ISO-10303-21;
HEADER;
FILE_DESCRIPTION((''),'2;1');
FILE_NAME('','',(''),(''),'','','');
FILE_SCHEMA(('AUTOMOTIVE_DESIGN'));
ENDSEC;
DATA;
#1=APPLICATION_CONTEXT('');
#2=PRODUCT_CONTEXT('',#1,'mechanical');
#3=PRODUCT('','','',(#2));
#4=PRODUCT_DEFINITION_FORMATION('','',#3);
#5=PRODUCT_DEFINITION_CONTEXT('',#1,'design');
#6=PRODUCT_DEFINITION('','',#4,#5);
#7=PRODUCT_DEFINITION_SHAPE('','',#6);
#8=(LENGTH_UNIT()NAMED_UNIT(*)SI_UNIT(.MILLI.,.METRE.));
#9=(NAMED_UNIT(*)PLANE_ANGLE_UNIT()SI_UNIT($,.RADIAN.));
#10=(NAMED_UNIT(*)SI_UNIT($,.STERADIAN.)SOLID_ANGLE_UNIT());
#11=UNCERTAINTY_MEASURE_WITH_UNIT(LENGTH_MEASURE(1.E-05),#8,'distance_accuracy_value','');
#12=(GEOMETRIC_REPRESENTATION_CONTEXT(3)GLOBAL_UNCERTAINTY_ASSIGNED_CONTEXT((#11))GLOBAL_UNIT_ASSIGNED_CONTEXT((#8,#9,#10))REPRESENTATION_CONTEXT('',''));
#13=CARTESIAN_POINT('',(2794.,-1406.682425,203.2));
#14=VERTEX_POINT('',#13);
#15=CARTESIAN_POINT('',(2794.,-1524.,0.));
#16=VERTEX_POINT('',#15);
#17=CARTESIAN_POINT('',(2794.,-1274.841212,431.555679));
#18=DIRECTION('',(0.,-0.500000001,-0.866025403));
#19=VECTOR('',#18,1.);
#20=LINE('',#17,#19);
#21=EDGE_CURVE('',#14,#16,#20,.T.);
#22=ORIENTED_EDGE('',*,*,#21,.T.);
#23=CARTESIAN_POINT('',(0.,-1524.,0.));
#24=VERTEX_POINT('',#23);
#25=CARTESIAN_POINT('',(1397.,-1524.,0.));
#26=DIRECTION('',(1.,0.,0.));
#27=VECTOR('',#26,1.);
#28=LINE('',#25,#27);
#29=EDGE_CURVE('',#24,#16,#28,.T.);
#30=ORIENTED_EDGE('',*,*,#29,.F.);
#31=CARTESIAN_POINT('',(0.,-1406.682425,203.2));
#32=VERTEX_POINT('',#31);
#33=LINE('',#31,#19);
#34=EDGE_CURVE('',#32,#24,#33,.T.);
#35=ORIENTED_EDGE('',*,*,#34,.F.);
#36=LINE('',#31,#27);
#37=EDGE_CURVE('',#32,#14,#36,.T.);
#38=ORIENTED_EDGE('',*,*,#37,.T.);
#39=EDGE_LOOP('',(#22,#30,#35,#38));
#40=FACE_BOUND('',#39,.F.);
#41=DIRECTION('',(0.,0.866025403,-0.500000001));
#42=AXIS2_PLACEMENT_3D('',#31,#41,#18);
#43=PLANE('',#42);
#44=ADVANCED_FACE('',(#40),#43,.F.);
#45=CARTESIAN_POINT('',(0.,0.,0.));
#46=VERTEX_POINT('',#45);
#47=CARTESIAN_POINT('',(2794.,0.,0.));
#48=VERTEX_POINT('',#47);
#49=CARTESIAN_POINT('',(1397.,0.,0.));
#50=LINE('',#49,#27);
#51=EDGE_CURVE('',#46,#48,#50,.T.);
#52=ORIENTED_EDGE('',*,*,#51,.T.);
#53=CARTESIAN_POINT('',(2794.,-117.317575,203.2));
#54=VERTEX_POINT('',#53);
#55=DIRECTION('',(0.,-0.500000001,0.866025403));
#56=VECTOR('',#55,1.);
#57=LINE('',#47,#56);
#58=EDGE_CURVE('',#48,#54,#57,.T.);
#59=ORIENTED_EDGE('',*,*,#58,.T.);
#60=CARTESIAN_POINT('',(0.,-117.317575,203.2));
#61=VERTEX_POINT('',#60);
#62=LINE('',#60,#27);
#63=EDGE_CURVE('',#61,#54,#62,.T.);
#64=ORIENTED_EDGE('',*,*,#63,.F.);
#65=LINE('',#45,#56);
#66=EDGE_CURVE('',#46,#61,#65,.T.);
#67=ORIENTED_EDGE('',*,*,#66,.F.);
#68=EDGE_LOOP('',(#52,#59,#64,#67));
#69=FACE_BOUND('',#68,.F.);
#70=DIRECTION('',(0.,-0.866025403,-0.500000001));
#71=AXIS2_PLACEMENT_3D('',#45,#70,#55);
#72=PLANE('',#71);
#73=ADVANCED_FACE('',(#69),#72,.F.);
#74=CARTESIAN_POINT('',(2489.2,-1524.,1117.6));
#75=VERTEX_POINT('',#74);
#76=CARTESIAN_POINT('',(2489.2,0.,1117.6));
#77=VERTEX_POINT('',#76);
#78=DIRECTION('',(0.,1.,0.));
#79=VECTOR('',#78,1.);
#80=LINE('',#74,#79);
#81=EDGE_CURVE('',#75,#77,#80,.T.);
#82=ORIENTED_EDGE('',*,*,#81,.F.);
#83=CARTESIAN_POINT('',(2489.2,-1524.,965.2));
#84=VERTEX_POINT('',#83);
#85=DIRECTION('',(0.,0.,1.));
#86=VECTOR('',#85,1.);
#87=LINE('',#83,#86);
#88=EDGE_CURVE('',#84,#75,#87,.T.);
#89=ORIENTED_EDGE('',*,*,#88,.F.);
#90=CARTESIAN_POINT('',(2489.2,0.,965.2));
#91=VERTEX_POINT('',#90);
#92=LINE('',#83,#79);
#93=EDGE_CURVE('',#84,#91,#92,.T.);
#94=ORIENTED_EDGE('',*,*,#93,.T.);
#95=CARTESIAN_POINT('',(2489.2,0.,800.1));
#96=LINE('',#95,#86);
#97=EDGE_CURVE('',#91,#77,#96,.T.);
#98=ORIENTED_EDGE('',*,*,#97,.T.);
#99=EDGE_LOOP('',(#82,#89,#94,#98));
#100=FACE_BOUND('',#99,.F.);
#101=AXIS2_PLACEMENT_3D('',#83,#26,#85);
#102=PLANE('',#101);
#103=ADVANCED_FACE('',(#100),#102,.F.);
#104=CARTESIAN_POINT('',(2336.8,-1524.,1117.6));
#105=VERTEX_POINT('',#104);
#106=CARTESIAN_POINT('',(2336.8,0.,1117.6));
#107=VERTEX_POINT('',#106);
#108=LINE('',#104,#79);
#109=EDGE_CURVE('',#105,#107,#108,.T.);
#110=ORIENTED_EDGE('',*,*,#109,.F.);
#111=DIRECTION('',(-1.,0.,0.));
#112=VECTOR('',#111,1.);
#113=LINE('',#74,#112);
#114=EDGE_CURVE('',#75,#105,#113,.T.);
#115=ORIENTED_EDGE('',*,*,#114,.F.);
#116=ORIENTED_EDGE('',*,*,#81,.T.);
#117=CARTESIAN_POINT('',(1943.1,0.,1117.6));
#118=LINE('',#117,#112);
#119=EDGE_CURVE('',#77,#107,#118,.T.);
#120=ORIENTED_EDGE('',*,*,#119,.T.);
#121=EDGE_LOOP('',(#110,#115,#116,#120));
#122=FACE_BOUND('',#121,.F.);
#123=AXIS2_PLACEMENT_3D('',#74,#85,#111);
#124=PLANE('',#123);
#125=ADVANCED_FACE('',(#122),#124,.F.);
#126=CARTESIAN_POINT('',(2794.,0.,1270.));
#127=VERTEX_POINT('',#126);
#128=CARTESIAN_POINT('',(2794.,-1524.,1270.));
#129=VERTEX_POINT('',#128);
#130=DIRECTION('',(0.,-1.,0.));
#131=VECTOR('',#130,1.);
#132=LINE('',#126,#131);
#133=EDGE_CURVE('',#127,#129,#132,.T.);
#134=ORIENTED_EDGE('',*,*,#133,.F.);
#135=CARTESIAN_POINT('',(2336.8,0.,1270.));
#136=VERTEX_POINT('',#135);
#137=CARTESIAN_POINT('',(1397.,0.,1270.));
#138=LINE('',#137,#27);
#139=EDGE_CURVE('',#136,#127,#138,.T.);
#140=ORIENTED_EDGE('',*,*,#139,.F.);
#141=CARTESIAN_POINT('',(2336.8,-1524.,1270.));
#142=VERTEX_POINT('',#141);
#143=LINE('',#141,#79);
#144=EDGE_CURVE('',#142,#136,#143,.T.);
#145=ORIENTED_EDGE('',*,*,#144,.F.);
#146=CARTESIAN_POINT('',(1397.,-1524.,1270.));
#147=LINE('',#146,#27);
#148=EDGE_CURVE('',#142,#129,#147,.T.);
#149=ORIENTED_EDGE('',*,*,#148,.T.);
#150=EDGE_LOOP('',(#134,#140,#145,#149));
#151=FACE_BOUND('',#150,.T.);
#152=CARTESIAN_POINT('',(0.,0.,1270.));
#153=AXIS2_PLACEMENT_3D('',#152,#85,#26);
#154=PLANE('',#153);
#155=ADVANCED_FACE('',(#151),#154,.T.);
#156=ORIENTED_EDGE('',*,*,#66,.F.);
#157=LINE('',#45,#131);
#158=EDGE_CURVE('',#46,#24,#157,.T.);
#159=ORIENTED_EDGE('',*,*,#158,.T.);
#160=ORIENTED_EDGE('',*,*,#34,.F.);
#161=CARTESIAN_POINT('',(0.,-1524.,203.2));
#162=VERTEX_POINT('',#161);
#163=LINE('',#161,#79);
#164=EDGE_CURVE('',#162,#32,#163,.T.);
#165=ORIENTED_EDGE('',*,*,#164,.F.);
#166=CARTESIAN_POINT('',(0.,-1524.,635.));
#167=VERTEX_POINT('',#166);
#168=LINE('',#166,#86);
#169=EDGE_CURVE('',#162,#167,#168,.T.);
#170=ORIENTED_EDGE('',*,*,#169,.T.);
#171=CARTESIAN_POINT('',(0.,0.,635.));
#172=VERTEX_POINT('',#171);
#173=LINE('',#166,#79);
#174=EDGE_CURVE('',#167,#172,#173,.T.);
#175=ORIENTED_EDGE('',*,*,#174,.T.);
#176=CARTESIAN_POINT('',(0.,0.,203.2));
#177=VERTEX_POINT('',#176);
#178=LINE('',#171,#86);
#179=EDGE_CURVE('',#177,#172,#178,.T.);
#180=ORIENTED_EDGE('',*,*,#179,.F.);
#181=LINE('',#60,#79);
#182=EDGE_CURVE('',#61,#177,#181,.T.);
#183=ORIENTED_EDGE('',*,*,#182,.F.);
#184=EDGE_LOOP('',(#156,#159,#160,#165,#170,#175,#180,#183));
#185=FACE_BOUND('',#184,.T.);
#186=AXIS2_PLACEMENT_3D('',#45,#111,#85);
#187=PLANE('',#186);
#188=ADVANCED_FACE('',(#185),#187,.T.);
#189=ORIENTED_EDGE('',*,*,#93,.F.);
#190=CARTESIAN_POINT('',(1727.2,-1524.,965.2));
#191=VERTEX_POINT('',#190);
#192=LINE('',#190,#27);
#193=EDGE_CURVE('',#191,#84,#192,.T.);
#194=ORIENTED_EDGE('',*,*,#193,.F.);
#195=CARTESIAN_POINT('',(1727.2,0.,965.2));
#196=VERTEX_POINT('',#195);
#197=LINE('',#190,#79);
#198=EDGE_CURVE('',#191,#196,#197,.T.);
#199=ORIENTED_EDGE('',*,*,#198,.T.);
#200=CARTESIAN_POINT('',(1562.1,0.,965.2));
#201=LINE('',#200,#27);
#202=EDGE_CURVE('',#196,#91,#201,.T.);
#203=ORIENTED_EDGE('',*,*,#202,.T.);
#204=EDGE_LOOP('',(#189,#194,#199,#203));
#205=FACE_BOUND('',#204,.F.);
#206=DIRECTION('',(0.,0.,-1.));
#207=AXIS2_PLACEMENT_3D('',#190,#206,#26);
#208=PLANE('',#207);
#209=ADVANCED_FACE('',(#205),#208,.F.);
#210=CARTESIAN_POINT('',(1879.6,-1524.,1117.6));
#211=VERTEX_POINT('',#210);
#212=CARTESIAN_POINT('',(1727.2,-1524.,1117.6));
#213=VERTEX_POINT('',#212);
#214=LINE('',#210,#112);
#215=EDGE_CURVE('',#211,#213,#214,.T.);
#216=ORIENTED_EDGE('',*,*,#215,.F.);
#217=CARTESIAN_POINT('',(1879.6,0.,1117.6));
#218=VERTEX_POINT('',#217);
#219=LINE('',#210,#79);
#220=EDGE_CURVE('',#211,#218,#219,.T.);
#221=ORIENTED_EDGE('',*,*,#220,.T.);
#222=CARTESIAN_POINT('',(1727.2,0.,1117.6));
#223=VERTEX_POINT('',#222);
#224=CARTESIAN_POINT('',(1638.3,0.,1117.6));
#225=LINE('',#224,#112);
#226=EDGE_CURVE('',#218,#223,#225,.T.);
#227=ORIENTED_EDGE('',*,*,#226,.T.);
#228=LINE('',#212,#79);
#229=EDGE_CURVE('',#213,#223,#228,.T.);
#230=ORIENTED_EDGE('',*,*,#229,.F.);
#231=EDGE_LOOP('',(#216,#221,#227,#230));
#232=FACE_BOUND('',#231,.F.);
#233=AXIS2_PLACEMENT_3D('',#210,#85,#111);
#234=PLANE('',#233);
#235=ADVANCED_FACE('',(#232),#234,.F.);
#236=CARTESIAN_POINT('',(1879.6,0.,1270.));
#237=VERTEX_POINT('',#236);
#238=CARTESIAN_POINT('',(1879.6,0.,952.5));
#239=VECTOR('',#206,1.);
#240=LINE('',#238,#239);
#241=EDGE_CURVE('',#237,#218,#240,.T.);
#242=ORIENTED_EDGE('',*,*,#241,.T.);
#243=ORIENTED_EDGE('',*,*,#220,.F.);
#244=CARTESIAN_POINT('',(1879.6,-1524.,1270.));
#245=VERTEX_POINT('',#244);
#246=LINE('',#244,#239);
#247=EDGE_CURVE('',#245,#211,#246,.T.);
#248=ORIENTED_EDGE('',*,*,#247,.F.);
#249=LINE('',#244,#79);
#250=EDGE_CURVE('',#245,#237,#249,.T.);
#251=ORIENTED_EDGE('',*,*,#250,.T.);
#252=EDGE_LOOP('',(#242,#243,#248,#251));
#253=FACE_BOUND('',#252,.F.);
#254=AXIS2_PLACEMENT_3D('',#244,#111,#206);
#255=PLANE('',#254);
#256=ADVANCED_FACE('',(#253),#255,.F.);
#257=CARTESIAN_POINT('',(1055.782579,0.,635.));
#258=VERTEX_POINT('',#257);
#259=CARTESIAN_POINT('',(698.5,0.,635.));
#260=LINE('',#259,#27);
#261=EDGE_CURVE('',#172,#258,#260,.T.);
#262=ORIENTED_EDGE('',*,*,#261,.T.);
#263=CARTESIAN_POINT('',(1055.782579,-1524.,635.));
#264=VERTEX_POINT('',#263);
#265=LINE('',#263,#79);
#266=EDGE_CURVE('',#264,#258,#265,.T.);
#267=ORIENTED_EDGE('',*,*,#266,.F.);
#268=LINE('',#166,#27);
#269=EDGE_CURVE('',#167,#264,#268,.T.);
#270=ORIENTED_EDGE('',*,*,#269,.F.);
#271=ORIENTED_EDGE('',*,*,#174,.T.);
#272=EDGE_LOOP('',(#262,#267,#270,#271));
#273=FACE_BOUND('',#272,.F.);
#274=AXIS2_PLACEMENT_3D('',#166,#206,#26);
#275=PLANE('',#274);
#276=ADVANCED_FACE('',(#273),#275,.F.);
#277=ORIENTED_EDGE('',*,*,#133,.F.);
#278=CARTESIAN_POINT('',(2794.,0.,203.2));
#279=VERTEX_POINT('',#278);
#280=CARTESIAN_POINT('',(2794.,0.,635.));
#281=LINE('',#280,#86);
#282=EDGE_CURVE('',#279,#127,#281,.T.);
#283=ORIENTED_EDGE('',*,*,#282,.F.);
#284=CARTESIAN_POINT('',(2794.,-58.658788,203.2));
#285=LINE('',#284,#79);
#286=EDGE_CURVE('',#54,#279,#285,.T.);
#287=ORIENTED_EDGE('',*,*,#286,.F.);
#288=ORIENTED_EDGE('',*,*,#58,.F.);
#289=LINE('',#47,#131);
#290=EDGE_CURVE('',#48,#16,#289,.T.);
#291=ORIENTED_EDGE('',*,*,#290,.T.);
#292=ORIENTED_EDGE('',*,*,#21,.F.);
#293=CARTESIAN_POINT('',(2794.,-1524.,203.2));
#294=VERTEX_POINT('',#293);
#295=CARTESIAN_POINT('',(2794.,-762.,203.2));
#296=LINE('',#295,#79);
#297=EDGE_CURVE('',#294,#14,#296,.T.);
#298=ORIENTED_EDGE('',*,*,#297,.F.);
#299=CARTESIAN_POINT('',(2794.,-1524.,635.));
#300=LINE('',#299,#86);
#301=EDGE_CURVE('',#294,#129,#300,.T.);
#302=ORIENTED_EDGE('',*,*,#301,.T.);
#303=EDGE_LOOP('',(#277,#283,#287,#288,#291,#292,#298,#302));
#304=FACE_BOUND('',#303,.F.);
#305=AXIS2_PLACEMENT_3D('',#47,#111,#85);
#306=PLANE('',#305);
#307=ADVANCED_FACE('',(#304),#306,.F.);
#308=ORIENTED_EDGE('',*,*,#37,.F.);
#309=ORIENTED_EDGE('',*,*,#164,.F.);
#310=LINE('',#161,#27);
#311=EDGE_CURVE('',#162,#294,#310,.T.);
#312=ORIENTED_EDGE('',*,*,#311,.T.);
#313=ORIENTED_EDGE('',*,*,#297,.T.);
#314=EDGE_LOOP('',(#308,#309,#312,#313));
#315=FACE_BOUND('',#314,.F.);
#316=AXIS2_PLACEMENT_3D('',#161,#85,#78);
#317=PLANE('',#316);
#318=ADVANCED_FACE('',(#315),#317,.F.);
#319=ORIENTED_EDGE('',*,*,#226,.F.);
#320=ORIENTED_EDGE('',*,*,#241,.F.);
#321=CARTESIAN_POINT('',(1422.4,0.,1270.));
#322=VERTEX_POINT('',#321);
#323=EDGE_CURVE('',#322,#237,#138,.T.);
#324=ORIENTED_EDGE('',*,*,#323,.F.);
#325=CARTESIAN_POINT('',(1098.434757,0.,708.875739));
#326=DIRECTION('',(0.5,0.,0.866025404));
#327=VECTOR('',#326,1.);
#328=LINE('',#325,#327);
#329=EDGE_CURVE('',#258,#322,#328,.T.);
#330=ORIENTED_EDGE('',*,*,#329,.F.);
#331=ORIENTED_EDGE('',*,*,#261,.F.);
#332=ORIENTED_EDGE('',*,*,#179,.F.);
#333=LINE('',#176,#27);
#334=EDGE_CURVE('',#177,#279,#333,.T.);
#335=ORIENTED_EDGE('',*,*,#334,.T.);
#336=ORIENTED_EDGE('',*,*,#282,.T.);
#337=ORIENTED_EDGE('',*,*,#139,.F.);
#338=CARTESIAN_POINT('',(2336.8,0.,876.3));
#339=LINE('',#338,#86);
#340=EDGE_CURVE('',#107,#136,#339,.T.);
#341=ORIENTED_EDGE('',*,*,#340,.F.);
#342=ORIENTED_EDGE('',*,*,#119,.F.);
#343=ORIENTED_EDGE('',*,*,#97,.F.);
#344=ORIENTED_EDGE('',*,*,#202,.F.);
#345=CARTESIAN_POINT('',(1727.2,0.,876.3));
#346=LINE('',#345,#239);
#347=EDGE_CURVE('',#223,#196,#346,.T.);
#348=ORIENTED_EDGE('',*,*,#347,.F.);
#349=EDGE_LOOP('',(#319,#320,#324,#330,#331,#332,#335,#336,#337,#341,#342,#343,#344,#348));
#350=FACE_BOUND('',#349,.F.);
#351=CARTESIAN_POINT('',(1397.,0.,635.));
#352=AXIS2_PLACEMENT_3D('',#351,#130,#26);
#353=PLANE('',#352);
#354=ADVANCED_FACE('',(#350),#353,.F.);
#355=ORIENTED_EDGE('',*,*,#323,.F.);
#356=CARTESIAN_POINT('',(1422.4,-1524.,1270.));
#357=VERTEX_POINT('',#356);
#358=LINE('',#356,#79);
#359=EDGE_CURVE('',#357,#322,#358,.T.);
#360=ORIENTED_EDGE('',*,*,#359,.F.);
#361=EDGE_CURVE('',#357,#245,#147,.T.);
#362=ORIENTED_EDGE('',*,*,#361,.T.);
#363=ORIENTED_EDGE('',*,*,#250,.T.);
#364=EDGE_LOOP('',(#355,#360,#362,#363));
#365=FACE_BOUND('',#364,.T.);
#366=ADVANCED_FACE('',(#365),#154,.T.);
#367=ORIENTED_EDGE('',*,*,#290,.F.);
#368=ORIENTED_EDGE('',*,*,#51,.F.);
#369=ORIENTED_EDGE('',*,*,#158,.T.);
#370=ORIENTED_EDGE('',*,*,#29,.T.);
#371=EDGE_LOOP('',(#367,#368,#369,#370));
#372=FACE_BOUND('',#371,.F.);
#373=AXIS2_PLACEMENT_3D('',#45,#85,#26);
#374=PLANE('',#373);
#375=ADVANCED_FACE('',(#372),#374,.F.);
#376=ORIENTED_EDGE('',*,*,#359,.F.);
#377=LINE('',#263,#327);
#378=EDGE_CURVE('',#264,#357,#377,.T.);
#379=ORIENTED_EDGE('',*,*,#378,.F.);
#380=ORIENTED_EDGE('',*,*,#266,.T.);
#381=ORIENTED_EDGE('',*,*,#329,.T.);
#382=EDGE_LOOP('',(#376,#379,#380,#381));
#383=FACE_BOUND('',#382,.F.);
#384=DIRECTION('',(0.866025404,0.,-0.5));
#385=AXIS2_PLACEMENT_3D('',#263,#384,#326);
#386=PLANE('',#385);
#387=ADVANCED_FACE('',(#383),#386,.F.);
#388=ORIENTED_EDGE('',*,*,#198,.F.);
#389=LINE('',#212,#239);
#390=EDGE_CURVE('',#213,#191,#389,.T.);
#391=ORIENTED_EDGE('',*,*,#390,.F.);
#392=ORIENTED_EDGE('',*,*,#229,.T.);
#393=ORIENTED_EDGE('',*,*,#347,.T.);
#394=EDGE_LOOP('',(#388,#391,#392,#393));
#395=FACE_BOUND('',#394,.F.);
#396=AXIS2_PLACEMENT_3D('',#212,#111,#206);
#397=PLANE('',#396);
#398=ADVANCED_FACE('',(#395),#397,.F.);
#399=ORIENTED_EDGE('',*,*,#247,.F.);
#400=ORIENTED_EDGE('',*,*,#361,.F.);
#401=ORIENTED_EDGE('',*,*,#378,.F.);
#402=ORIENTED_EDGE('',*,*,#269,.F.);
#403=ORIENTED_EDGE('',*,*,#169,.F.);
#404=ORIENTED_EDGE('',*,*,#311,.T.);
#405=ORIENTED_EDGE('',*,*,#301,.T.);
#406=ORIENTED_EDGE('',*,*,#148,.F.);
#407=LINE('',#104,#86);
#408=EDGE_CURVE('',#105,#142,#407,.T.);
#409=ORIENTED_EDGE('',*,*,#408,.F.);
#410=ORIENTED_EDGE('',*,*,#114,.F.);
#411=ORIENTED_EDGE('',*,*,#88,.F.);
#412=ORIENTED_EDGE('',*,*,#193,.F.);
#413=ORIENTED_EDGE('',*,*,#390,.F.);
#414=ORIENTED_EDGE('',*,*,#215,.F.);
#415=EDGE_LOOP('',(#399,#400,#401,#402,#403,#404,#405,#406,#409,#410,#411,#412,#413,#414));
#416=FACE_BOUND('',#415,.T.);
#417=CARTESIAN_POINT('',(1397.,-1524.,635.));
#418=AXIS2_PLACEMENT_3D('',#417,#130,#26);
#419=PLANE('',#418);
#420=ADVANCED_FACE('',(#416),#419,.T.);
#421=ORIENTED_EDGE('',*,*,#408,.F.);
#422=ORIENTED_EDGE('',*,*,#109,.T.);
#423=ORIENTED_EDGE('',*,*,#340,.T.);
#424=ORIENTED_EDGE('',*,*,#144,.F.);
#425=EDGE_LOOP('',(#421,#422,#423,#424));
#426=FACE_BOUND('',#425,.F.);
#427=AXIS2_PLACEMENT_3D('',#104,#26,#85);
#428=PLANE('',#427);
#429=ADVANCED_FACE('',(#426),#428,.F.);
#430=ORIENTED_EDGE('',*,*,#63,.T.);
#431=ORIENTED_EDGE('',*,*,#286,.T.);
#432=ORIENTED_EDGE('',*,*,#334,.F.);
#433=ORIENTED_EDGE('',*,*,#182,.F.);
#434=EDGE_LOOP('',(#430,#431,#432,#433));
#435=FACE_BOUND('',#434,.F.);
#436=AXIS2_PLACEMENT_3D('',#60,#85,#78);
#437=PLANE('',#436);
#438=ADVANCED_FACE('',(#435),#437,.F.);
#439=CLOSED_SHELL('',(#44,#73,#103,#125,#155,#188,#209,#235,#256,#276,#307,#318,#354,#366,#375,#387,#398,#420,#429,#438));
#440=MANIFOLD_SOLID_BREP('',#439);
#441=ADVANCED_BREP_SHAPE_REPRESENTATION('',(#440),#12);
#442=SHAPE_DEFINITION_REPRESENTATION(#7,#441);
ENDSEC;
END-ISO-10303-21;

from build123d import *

# Parameters (mm, degrees)
F0_W     = 2794
F0_H     = 1270
F1_DEPTH = 1524
F3_DEPTH = 1524.001
F5_DEPTH = 1524.001
F7_DEPTH = 2794.001
F9_DEPTH = 2794.001


with BuildPart() as f1:
    # F0 (on Front) → F1 (new body)
    with BuildSketch(Plane.XZ):
        with Locations((1397, 635)):
            Rectangle(F0_W, F0_H)
    extrude(amount=F1_DEPTH)

    # F2 (on face) → F3 (cut, through all)
    with BuildSketch(Plane.XZ.offset(1524)):
        Polygon((1055.782579, 635), (1422.4, 1270), (0, 1270), (0, 635), align=None)
    extrude(amount=-F3_DEPTH, mode=Mode.SUBTRACT)

    # F4 (on face) → F5 (cut, through all)
    with BuildSketch(Plane.XZ.offset(1524)):
        Polygon((2336.8, 1117.6), (2336.8, 1270), (1879.6, 1270), (1879.6, 1117.6), (1727.2, 1117.6), (1727.2, 965.2), (2489.2, 965.2), (2489.2, 1117.6), align=None)
    extrude(amount=-F5_DEPTH, mode=Mode.SUBTRACT)

    # F6 (on face) → F7 (cut, through all)
    with BuildSketch(Plane(origin=(0, 0, 0), x_dir=(0, -1, 0), z_dir=(-1, 0, 0))):
        Polygon((1406.682425, 203.2), (1524, 0), (1524, 203.2), align=None)
    extrude(amount=-F7_DEPTH, mode=Mode.SUBTRACT)

    # F8 (on face) → F9 (cut, through all)
    with BuildSketch(Plane(origin=(0, 0, 0), x_dir=(0, -1, 0), z_dir=(-1, 0, 0))):
        Polygon((0, 203.2), (0, 0), (117.317575, 203.2), align=None)
    extrude(amount=-F9_DEPTH, mode=Mode.SUBTRACT)


solid = f1.part
